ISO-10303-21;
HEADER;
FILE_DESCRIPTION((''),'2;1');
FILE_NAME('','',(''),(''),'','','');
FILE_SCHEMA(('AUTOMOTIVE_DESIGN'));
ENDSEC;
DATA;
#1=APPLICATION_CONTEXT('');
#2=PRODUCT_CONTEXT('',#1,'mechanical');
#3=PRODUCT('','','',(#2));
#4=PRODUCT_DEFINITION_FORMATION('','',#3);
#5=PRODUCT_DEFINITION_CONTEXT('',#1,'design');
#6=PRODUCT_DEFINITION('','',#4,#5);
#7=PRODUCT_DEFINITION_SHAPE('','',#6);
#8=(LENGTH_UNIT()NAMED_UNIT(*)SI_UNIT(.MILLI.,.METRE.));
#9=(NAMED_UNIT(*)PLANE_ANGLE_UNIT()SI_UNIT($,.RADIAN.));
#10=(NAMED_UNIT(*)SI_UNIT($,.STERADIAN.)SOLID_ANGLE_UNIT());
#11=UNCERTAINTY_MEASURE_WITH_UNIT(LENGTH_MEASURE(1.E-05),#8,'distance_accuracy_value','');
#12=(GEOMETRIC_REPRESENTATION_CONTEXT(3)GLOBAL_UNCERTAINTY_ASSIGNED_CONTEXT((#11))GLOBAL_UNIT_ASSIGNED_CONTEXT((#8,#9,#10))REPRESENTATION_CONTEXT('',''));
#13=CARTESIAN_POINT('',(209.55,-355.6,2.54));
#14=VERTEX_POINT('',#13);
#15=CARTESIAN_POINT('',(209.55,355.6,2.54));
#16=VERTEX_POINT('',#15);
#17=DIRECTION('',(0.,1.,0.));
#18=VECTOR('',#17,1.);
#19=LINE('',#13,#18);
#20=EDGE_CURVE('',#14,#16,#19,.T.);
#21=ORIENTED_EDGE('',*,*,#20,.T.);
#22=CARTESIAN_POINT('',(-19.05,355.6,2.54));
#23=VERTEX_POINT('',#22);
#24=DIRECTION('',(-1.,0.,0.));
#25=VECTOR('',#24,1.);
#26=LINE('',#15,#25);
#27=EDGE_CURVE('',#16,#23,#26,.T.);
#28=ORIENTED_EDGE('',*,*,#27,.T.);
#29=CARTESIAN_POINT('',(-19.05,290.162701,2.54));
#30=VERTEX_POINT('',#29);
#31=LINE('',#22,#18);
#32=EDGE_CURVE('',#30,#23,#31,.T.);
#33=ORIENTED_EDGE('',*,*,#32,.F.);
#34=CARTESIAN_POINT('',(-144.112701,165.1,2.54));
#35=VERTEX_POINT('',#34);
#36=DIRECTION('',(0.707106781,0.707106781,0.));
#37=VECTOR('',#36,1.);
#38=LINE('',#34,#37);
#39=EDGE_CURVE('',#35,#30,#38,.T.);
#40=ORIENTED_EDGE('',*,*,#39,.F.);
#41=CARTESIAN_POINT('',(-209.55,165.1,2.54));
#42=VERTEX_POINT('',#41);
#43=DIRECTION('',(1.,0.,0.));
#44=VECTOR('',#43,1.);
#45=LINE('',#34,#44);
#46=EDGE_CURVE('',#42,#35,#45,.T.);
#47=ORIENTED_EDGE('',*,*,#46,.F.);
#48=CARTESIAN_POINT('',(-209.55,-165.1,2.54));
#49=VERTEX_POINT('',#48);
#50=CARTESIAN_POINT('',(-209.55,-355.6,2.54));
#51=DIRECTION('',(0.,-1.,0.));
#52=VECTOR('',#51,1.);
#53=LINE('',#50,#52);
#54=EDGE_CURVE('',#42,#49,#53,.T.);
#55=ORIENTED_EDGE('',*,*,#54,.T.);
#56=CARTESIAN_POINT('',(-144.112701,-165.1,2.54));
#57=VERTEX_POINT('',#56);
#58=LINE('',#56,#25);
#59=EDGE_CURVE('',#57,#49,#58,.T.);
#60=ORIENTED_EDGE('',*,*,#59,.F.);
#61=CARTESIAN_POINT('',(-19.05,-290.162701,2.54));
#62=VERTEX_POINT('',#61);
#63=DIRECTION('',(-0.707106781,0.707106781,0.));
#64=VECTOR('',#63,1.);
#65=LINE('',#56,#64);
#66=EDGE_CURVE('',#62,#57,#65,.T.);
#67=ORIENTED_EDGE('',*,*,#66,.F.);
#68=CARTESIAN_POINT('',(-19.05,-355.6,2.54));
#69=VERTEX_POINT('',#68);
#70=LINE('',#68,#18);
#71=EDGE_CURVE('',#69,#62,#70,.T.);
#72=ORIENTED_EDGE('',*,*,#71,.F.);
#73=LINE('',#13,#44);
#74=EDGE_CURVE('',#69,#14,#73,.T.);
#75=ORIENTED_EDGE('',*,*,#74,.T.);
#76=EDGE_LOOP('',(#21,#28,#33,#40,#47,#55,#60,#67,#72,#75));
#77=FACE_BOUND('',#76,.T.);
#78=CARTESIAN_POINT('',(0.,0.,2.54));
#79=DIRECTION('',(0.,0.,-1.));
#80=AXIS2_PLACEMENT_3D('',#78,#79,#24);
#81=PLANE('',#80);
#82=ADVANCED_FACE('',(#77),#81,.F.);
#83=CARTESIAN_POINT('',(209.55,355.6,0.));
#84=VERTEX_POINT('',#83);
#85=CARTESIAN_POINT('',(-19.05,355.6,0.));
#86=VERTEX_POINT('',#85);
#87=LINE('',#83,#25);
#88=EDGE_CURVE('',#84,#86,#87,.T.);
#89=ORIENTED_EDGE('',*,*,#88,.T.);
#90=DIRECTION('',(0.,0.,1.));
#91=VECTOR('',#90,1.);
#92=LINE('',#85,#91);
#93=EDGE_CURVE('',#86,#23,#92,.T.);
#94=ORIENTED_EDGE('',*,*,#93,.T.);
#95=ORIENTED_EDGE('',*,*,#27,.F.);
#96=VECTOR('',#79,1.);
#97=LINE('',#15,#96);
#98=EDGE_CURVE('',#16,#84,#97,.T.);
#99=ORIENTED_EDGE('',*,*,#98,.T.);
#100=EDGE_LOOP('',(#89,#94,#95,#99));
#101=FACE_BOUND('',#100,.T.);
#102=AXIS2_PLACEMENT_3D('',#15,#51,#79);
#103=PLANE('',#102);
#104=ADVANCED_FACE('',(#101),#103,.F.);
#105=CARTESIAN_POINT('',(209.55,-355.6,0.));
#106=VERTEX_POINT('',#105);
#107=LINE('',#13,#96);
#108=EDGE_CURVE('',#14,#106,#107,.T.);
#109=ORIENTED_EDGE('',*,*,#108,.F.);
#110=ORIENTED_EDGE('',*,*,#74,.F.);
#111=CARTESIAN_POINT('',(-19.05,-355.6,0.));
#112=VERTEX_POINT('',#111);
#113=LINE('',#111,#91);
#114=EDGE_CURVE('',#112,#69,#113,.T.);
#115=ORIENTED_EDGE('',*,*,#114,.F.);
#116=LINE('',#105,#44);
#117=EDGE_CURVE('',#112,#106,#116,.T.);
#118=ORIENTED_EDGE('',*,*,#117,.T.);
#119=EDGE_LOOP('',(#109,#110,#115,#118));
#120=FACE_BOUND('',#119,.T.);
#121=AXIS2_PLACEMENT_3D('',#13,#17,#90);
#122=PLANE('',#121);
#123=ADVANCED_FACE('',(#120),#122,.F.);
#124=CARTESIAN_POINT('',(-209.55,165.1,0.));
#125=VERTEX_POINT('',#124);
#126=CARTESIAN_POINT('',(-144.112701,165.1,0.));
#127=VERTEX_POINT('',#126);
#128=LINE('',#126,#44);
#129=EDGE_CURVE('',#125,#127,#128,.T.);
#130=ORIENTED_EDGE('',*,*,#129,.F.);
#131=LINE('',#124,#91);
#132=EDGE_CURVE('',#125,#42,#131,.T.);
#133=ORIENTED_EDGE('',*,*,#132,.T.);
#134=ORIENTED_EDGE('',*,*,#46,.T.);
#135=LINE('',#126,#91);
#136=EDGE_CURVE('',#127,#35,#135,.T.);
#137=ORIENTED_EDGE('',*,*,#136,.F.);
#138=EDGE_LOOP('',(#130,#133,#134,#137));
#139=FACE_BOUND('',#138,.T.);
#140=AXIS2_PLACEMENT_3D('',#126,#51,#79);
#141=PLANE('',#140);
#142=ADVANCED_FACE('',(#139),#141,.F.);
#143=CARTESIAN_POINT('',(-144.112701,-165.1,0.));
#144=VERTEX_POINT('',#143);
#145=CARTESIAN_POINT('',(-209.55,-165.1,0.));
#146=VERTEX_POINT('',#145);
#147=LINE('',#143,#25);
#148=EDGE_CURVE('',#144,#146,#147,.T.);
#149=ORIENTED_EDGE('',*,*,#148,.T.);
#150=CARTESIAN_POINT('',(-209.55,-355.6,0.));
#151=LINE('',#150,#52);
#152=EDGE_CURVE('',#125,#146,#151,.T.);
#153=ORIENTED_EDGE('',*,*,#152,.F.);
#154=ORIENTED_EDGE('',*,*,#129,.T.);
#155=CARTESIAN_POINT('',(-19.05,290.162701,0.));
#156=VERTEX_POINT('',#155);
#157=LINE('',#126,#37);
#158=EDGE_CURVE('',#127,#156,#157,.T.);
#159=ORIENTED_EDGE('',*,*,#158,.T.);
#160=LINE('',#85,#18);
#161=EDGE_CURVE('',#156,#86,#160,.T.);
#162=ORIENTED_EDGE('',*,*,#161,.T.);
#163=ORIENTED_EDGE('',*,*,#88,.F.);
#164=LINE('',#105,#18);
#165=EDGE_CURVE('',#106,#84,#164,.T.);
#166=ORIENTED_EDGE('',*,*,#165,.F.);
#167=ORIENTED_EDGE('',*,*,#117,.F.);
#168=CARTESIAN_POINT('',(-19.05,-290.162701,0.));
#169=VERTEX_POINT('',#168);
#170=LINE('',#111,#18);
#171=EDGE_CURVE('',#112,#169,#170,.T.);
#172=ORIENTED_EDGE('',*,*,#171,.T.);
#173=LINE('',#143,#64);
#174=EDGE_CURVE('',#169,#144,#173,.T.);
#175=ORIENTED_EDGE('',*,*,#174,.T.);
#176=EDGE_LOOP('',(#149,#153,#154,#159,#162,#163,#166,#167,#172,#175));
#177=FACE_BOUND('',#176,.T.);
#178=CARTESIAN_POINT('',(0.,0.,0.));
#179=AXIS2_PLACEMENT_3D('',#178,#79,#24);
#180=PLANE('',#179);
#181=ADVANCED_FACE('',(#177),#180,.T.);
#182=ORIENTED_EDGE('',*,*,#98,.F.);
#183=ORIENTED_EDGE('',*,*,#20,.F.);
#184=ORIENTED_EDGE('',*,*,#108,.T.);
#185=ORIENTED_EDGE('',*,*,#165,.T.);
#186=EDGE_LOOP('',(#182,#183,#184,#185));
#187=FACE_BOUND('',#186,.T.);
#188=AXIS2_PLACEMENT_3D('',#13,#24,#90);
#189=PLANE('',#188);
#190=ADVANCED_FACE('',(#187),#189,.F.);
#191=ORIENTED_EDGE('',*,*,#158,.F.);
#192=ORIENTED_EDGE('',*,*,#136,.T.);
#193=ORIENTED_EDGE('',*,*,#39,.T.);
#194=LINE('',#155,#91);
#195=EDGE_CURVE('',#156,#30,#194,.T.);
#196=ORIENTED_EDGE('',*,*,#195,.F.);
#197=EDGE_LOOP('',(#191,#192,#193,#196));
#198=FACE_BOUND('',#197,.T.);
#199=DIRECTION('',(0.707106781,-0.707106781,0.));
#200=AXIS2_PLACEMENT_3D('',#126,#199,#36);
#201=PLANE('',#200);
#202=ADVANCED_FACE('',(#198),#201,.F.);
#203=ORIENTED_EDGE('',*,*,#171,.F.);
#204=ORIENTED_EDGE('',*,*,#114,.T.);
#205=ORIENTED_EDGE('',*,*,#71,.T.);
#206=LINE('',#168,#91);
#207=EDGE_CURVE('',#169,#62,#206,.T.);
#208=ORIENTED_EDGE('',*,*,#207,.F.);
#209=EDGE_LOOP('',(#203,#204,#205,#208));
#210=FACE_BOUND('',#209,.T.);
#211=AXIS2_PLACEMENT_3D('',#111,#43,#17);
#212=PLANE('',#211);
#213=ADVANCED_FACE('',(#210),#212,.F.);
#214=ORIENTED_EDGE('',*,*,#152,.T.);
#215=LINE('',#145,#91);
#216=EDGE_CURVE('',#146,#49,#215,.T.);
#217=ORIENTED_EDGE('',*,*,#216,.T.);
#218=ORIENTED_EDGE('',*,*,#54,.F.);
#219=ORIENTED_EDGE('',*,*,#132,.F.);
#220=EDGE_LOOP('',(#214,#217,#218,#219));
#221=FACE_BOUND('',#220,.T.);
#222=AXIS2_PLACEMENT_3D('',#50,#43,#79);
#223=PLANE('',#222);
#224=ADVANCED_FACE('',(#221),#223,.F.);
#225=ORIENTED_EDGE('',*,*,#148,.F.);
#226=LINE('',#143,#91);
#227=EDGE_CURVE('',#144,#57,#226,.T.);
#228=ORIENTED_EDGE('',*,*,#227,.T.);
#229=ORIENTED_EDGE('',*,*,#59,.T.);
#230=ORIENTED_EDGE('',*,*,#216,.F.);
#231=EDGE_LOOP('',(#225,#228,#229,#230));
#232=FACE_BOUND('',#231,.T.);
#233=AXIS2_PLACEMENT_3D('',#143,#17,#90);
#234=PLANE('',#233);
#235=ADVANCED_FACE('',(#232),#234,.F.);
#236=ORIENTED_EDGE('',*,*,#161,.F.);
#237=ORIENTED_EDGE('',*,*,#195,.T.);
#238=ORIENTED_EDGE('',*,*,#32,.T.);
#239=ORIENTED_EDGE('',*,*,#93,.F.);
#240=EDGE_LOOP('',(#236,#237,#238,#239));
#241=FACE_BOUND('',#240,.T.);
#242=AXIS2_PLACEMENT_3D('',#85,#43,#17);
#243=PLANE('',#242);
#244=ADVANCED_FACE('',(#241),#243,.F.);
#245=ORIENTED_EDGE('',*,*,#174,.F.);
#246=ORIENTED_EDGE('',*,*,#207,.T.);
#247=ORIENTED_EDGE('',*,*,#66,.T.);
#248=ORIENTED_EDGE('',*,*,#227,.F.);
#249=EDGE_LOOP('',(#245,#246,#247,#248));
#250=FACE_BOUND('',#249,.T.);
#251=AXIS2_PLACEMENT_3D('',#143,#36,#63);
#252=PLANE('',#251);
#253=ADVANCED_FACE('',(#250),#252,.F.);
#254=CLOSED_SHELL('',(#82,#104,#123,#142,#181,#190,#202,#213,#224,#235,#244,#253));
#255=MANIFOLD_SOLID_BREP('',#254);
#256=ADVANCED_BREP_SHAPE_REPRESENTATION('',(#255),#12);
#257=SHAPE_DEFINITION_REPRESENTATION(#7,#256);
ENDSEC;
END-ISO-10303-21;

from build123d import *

# Parameters (mm, degrees)
SKETCH1_W           = 711.2
SKETCH1_H           = 419.1
BOSS_EXTRUDE1_DEPTH = 2.54
CUT_EXTRUDE1_DEPTH  = 413.757815311


with BuildPart() as part:
    # Sketch1 → Boss-Extrude1 (new body)
    with BuildSketch(Plane(origin=(0, 0, 0), x_dir=(0, 1, 0), z_dir=(0, 0, 1))):
        Rectangle(SKETCH1_W, SKETCH1_H)
    extrude(amount=BOSS_EXTRUDE1_DEPTH)

    # Sketch2 → Cut-Extrude1 (cut, through all)
    with BuildSketch(Plane.XY.offset(2.54)):
        Polygon((-144.11270055, 165.1), (-19.05, 290.16270055), (-19.05, 355.6), (-209.55, 355.6), (-209.55, 165.1), align=None)
        Polygon((-19.05, -355.6), (-209.55, -355.6), (-209.55, -165.1), (-144.11270055, -165.1), (-19.05, -290.16270055), align=None)
    extrude(amount=-CUT_EXTRUDE1_DEPTH, mode=Mode.SUBTRACT)


solid = part.part
